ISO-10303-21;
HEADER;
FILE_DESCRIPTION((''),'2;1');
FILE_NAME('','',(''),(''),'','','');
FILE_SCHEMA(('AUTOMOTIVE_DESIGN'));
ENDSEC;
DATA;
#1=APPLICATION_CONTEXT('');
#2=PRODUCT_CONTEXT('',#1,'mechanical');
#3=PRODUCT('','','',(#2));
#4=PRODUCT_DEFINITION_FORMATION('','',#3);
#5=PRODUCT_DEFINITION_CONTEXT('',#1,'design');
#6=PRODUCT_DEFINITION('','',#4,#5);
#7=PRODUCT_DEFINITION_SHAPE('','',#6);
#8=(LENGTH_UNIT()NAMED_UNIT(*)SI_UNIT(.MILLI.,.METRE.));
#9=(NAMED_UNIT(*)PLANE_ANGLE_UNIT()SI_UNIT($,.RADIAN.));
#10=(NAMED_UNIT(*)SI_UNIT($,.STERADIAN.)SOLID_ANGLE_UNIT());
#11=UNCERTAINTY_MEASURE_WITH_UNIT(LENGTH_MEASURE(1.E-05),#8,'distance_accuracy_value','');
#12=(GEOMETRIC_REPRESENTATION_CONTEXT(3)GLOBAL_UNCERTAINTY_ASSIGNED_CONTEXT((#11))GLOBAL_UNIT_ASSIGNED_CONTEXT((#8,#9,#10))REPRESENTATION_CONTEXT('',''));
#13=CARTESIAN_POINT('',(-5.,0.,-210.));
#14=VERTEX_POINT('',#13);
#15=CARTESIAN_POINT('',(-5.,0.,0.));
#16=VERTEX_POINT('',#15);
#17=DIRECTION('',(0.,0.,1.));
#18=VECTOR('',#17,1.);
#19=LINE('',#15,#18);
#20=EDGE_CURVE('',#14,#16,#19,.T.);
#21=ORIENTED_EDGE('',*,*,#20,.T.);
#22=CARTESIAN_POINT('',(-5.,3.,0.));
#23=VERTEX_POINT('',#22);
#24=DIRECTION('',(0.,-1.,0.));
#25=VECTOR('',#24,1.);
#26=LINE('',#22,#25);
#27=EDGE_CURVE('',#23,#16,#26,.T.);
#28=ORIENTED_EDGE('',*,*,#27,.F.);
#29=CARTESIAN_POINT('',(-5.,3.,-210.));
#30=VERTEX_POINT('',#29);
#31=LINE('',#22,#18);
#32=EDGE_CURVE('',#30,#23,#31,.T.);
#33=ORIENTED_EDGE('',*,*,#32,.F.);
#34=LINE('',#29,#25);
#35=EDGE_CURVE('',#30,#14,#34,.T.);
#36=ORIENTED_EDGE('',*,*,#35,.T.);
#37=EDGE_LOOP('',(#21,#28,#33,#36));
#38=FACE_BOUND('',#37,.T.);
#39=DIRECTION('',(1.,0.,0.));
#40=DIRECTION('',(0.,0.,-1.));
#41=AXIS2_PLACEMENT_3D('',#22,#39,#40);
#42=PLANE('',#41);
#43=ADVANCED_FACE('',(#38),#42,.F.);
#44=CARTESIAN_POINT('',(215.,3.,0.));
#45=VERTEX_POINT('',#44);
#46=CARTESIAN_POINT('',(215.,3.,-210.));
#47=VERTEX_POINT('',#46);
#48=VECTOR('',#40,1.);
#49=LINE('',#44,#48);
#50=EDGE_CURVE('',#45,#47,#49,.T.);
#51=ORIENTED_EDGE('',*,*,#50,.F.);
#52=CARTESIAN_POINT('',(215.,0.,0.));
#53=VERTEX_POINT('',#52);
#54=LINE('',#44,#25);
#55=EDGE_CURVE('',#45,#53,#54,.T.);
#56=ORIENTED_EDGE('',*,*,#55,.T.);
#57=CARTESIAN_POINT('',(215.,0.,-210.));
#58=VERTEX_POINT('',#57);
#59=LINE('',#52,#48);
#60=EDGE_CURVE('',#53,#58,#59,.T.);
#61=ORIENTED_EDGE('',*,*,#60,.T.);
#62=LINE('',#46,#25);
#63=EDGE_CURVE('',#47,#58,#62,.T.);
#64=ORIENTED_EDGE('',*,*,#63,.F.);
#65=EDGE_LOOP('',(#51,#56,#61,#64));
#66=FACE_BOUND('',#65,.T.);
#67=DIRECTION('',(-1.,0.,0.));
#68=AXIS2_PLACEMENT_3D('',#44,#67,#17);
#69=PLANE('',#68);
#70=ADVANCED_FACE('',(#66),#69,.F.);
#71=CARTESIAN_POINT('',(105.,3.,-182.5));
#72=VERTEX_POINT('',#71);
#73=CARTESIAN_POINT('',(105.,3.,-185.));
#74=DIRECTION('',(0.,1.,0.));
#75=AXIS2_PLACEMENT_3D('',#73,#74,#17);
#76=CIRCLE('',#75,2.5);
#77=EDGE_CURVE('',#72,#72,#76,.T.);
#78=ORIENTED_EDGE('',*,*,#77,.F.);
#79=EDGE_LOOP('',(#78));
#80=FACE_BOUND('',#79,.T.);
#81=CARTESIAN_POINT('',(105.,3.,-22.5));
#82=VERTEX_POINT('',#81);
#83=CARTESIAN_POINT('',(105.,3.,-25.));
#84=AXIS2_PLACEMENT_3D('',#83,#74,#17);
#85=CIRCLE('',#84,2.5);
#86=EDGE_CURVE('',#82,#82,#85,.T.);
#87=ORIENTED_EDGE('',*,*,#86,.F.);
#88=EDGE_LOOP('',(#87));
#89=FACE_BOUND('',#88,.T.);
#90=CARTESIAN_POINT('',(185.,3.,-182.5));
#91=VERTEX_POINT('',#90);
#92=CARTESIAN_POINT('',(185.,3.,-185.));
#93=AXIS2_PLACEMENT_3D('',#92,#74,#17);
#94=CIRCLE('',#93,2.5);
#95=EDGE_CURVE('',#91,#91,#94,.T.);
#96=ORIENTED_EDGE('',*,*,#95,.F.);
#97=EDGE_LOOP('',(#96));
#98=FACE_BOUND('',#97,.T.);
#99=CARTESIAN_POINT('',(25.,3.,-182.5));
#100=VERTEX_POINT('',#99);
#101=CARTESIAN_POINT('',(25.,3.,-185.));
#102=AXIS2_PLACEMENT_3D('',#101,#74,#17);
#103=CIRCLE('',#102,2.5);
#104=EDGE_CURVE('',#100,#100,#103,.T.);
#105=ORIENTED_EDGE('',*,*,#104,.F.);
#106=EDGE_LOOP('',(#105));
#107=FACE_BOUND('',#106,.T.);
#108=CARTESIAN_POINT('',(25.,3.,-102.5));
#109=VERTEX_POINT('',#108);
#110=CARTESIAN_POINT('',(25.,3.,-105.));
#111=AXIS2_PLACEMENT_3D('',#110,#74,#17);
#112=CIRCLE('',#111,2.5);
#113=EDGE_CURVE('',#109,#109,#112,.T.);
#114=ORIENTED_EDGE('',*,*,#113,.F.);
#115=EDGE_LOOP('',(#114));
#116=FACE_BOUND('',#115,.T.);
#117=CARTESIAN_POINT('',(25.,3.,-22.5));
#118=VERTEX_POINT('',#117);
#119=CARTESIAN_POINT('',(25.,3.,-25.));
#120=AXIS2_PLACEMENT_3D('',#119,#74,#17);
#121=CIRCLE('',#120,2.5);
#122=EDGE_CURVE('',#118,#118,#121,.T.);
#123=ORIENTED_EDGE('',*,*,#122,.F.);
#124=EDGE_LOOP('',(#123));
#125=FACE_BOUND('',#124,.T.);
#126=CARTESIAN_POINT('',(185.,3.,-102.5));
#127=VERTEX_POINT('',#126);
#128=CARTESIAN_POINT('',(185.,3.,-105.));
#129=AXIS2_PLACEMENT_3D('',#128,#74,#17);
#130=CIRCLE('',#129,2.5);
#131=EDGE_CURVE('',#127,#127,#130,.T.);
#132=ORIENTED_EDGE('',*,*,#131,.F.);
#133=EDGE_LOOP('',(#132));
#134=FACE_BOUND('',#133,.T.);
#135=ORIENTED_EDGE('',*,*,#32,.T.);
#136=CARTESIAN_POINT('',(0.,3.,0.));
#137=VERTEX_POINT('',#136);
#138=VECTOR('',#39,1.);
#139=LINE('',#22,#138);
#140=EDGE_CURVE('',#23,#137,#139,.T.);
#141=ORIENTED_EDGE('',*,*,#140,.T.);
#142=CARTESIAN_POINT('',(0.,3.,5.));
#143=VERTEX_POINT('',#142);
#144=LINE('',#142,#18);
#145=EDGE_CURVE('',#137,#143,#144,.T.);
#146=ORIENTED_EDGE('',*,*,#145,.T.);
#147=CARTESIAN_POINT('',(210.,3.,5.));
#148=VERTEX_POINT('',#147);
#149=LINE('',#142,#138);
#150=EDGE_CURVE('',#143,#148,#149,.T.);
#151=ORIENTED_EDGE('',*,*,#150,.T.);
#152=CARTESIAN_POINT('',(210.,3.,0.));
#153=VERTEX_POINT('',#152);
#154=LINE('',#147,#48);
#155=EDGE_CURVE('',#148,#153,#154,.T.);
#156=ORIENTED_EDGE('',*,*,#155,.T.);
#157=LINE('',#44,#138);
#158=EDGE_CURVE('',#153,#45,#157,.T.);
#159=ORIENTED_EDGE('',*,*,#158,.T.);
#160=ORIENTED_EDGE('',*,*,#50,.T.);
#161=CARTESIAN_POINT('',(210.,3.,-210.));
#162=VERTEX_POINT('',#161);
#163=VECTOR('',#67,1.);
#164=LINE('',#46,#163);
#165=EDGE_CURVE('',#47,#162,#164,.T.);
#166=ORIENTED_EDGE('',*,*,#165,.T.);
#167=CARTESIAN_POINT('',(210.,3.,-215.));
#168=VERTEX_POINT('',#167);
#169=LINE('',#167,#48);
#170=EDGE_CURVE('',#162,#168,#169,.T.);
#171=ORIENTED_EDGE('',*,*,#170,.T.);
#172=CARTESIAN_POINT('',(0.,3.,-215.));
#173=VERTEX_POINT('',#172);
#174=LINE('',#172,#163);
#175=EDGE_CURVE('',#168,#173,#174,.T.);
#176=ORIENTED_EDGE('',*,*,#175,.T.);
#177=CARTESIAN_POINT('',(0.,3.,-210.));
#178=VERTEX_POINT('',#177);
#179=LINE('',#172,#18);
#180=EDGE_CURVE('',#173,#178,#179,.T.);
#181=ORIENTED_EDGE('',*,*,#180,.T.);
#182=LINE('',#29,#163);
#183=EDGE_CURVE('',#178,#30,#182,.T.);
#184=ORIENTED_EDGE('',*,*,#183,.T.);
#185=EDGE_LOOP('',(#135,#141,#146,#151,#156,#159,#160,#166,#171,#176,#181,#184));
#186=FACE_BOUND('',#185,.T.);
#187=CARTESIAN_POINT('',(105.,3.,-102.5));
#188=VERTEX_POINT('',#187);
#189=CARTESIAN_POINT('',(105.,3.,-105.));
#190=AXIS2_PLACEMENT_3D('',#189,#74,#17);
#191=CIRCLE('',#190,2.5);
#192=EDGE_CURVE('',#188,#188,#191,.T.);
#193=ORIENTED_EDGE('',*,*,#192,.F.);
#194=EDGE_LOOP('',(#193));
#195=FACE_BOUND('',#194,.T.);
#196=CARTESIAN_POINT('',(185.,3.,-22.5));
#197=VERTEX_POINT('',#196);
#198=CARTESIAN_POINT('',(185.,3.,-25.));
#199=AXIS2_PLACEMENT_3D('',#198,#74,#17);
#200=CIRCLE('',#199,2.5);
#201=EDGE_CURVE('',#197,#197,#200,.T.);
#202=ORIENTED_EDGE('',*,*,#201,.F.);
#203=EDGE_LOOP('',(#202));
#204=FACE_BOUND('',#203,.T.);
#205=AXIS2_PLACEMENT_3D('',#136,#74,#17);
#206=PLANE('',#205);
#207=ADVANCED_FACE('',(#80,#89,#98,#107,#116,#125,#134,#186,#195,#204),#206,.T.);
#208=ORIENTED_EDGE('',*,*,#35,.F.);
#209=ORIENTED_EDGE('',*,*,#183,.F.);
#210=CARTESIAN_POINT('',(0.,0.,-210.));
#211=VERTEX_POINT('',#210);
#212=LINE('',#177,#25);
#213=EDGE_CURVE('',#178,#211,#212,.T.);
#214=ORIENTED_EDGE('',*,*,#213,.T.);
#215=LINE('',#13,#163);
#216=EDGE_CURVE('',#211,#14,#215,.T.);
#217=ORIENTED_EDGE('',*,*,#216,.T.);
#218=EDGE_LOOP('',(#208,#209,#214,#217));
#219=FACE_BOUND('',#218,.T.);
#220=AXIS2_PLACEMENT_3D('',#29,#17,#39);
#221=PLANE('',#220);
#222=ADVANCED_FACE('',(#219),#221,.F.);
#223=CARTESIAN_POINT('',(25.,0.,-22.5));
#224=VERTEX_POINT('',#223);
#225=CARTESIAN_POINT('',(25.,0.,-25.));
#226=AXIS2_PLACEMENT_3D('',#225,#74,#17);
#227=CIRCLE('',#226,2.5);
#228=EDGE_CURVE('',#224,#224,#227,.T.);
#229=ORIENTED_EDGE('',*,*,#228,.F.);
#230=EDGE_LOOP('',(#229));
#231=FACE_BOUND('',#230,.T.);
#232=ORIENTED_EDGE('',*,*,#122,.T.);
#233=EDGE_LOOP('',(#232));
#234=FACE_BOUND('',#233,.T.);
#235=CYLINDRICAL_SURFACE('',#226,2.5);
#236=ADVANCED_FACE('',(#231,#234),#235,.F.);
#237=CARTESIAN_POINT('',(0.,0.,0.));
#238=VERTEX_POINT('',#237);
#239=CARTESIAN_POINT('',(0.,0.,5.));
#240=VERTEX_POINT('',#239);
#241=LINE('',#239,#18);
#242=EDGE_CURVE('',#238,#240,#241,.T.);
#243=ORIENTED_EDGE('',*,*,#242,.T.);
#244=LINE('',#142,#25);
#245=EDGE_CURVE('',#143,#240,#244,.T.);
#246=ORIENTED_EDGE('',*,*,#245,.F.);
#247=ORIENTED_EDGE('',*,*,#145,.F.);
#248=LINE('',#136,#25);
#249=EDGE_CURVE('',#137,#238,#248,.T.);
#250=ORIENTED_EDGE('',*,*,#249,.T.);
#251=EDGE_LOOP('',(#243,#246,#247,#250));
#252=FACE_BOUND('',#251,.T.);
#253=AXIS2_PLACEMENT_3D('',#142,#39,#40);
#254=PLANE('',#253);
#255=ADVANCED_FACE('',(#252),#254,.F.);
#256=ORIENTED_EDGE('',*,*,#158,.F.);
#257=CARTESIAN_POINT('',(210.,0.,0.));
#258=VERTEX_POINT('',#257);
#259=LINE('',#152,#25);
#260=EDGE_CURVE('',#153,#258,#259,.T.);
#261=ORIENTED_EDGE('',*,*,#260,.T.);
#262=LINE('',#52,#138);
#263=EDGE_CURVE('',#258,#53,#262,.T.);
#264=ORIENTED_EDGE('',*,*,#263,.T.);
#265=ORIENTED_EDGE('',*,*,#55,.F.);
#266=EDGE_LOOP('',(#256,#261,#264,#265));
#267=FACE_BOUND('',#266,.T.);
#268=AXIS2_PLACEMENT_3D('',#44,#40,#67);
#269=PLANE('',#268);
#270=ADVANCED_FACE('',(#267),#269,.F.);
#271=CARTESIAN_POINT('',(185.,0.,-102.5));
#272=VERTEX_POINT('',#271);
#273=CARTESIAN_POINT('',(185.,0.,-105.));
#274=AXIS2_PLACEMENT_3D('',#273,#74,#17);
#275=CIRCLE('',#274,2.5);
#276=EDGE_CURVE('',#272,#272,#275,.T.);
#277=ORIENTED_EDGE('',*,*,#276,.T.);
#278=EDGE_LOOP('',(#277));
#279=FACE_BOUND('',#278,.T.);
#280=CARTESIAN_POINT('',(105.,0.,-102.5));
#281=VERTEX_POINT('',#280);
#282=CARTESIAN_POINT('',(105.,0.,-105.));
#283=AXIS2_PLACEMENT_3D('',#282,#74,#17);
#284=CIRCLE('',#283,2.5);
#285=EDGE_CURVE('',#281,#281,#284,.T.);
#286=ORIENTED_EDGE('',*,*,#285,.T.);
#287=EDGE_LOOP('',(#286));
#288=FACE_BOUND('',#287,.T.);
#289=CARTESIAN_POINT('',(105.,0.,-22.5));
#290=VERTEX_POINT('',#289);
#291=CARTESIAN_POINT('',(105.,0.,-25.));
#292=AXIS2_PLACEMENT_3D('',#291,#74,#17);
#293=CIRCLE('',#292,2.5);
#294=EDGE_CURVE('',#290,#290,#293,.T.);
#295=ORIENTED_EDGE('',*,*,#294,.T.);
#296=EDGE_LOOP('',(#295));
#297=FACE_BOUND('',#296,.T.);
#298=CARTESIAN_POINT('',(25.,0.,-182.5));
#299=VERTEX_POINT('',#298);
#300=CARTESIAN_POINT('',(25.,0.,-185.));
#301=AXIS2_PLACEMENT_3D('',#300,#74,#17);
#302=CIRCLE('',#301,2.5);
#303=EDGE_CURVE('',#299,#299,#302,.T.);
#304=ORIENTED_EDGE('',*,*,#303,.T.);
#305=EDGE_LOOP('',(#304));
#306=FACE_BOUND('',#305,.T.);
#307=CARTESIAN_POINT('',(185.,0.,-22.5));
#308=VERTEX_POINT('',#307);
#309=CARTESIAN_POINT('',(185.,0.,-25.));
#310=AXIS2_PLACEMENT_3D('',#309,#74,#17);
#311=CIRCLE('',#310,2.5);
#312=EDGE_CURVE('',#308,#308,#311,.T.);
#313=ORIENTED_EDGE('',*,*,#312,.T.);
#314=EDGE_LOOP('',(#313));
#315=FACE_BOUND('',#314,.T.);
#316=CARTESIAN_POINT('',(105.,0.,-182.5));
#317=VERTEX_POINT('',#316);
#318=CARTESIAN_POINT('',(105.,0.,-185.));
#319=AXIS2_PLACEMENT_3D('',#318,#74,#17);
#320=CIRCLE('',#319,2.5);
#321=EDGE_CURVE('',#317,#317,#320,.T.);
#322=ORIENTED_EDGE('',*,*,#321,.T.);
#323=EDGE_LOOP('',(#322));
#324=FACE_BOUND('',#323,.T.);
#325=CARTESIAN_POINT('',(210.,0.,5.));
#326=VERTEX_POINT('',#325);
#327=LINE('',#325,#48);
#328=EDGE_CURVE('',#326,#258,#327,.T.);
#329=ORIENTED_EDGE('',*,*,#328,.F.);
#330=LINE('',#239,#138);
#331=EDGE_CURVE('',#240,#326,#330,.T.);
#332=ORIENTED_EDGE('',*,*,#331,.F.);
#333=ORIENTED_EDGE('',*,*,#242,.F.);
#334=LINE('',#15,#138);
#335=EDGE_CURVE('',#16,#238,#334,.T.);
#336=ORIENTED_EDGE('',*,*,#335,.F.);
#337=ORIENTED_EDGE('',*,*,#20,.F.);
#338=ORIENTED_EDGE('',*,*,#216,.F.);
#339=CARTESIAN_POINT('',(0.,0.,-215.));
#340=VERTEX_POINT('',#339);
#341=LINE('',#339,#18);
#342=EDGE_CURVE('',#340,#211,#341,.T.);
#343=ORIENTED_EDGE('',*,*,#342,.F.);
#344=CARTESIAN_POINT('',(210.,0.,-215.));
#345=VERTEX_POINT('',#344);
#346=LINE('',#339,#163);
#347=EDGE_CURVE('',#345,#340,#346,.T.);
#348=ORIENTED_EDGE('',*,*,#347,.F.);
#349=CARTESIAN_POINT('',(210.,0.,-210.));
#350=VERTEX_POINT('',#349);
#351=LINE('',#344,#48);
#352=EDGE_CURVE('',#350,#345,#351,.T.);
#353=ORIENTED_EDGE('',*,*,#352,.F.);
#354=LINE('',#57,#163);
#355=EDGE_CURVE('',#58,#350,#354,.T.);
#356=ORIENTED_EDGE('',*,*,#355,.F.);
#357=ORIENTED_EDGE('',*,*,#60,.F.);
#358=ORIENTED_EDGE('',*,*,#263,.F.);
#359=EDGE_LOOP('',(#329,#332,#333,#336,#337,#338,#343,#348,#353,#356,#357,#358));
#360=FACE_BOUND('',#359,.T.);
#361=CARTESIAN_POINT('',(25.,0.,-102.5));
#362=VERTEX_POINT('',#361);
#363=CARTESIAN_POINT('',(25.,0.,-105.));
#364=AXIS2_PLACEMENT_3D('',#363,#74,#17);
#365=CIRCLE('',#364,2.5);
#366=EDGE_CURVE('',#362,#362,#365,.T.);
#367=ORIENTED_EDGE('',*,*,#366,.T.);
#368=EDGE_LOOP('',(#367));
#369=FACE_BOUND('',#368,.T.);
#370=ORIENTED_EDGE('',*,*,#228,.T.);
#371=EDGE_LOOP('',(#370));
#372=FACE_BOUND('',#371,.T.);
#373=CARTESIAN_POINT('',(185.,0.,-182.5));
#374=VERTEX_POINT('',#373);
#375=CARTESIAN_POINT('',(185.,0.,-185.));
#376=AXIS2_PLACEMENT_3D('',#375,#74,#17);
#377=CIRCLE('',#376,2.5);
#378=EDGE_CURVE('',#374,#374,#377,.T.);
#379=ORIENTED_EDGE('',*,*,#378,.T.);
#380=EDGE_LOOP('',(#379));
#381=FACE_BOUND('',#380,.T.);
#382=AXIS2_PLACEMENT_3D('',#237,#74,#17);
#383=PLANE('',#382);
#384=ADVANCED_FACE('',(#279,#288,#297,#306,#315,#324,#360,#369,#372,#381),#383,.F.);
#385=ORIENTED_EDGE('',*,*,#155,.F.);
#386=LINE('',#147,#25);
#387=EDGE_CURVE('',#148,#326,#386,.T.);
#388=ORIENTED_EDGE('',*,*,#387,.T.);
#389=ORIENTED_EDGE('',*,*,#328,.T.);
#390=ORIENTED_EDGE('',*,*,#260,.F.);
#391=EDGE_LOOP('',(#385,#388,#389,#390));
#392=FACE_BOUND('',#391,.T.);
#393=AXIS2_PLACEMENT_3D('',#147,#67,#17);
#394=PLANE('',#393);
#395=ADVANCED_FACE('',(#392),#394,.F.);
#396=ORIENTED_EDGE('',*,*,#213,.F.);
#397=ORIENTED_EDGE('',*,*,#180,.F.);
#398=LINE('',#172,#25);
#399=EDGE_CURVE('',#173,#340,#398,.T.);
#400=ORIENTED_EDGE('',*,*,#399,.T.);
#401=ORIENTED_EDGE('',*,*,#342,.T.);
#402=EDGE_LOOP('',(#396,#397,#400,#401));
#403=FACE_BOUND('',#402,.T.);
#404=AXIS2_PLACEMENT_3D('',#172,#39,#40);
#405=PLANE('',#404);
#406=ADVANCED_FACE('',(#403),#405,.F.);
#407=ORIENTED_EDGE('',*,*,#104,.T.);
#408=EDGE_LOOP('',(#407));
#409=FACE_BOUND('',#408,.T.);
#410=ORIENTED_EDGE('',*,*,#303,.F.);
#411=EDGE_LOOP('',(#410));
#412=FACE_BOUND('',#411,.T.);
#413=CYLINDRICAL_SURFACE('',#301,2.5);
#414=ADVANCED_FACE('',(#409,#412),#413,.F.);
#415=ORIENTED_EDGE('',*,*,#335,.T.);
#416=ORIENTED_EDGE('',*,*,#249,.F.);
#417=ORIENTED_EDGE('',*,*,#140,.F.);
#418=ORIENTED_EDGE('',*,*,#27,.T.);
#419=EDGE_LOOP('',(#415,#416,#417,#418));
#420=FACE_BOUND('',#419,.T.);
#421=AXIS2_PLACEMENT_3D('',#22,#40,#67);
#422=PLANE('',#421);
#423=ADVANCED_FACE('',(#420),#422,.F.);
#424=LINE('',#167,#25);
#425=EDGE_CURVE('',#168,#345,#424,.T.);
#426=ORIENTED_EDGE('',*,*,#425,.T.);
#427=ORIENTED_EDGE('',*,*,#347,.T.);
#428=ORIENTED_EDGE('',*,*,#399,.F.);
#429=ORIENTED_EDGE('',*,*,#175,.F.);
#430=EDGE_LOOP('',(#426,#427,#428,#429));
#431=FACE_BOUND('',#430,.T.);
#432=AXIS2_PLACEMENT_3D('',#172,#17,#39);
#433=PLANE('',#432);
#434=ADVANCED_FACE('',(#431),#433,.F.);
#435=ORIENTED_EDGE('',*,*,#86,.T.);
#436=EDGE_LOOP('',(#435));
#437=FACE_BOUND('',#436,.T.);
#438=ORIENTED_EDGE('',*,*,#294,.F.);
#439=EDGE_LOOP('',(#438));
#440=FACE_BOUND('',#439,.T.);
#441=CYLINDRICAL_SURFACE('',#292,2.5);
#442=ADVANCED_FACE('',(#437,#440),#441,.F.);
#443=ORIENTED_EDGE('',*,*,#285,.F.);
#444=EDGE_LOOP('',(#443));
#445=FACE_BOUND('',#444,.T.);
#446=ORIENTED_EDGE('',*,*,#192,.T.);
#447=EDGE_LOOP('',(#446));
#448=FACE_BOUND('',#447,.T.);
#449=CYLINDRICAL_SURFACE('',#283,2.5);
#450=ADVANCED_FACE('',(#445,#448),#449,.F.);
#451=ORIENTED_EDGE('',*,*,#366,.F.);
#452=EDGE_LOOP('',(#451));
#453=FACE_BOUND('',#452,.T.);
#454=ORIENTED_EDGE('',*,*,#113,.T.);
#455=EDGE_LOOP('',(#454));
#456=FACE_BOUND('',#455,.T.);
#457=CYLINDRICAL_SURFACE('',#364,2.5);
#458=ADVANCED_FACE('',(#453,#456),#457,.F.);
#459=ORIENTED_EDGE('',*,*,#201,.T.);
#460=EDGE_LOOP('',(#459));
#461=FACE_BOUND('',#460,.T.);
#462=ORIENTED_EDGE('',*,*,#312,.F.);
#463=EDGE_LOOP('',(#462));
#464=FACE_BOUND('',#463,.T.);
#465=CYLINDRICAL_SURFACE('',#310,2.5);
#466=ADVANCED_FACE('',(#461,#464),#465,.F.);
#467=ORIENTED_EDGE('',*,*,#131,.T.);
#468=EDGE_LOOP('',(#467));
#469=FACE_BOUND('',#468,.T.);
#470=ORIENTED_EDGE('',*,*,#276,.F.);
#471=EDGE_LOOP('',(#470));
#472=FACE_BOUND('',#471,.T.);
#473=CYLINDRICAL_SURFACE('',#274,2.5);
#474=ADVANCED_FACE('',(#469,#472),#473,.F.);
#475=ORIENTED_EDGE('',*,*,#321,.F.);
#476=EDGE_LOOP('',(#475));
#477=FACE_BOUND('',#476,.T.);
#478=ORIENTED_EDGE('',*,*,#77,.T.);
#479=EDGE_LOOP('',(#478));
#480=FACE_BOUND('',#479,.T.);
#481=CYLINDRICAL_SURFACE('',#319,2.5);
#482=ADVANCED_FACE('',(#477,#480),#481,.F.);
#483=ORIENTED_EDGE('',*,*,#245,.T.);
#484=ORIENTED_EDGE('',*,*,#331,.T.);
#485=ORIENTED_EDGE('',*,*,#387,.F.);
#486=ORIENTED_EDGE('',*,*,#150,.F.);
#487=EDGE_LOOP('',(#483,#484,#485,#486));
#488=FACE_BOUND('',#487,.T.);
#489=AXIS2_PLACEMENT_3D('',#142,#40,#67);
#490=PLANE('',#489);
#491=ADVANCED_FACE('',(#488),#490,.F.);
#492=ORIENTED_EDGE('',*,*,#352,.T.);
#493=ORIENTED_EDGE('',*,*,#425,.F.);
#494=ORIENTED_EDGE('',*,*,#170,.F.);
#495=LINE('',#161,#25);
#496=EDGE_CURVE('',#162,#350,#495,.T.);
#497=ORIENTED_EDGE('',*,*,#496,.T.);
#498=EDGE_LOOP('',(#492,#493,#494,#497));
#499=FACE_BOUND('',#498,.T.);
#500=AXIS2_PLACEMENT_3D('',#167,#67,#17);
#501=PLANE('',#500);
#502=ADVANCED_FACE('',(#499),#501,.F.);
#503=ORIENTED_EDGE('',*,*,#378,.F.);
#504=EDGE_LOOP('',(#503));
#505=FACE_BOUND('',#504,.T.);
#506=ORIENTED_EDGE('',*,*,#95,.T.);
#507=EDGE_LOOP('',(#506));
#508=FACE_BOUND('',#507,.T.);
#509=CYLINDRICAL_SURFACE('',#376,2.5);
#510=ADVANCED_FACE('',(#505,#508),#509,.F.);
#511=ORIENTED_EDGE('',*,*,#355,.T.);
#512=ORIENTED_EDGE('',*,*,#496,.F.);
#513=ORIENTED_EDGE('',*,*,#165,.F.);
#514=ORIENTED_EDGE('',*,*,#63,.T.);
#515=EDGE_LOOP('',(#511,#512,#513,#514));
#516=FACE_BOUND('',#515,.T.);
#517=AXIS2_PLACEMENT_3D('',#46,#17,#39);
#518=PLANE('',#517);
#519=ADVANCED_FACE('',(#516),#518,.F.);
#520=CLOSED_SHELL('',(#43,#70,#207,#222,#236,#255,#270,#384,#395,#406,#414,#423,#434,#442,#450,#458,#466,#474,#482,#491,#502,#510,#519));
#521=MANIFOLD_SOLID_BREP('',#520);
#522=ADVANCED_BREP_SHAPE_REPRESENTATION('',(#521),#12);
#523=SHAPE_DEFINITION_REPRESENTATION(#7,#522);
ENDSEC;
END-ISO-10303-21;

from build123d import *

# Parameters (mm, degrees)
BOSS_EXTRUDE1_DEPTH  = 3
SKETCH2_R            = 2.5
CUT_EXTRUDE1_DEPTH   = 305.070715459
LPATTERN1_COUNT      = 3
LPATTERN1_PITCH      = 80
LPATTERN1_COUNT_DIR2 = 3
LPATTERN1_PITCH_DIR2 = 80


with BuildPart() as part:
    # Sketch1 → Boss-Extrude1 (new body)
    with BuildSketch(Plane(origin=(0, 0, 0), x_dir=(1, 0, 0), z_dir=(0, 1, 0))):
        Polygon((0, -5), (210, -5), (210, 0), (215, 0), (215, 210), (210, 210), (210, 215), (0, 215), (0, 210), (-5, 210), (-5, 0), (0, 0), align=None)
    extrude(amount=BOSS_EXTRUDE1_DEPTH)

    # Sketch2 → Cut-Extrude1 (cut, through all)
    with BuildSketch(Plane(origin=(0, 3, 0), x_dir=(1, 0, 0), z_dir=(0, 1, 0))):
        with Locations(Location((25, 25, 0), (0, 0, 270))):
            Circle(SKETCH2_R)
    cut_extrude1 = extrude(amount=-CUT_EXTRUDE1_DEPTH, mode=Mode.SUBTRACT)

    # LPattern1: Cut-Extrude1 3 × 3
    with Locations(*[(i * LPATTERN1_PITCH, 0, -j * LPATTERN1_PITCH_DIR2) for i in range(LPATTERN1_COUNT) for j in range(LPATTERN1_COUNT_DIR2) if (i, j) != (0, 0)]):
        add(cut_extrude1, mode=Mode.SUBTRACT)


solid = part.part
